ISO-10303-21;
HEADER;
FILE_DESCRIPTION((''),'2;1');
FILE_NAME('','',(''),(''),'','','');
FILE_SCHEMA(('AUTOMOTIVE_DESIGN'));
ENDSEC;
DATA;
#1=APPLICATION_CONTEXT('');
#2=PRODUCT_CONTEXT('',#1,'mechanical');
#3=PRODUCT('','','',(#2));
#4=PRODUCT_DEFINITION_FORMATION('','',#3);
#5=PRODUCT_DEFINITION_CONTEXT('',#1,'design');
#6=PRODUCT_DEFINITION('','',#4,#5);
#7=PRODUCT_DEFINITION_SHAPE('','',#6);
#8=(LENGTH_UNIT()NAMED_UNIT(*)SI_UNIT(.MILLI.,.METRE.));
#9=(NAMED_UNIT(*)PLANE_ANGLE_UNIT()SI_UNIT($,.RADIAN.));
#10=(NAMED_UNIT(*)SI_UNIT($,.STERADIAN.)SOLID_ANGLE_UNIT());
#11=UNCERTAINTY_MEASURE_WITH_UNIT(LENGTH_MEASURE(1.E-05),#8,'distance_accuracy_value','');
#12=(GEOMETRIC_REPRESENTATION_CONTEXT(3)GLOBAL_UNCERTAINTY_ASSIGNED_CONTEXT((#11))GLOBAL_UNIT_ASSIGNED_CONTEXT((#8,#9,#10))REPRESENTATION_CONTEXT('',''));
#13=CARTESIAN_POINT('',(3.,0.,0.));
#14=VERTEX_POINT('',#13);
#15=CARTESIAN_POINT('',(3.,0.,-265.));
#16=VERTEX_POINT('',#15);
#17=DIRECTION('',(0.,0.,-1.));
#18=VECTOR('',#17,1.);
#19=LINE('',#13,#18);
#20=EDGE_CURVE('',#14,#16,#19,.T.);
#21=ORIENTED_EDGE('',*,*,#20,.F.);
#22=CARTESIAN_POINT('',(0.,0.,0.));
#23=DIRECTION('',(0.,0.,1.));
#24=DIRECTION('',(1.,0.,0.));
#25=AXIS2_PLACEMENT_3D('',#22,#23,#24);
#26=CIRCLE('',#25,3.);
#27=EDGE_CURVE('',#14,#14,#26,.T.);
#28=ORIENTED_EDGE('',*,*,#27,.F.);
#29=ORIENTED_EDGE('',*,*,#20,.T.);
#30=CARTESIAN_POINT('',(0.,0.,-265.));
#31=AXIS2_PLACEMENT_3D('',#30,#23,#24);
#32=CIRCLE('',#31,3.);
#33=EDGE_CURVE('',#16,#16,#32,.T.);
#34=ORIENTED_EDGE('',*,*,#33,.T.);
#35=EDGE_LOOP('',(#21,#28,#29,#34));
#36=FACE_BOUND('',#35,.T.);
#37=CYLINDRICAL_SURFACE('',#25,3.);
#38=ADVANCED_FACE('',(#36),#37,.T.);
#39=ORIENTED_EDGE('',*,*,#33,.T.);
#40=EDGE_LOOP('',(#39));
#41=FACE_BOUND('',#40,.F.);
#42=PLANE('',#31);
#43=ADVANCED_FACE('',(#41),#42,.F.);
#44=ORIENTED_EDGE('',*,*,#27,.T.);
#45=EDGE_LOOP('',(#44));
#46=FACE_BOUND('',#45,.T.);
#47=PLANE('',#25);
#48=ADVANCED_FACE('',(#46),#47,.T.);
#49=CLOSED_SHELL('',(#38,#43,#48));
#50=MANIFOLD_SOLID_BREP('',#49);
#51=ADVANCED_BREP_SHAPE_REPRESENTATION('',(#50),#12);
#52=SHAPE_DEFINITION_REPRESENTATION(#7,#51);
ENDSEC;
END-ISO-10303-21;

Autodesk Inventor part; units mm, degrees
ref_plane "YZ Plane" through (0, 0, 0) normal (1, 0, 0) x (0, 1, 0)
ref_plane "XZ Plane" through (0, 0, 0) normal (0, 1, 0) x (-1, 0, 0)
ref_plane "XY Plane" through (0, 0, 0) normal (0, 0, 1) x (1, 0, 0)
sketch "Sketch1" plane through (0, 0, 0) normal (0, 0, 1) x (1, 0, 0)
  circle A0 centre (0, 0) radius 3
  dimension "d0" = 6
extrude "Extrusion1" add sketch "Sketch1" against normal blind 265
properties part number "6mm_rod_300" material "Steel, High Strength, Low Alloy"
